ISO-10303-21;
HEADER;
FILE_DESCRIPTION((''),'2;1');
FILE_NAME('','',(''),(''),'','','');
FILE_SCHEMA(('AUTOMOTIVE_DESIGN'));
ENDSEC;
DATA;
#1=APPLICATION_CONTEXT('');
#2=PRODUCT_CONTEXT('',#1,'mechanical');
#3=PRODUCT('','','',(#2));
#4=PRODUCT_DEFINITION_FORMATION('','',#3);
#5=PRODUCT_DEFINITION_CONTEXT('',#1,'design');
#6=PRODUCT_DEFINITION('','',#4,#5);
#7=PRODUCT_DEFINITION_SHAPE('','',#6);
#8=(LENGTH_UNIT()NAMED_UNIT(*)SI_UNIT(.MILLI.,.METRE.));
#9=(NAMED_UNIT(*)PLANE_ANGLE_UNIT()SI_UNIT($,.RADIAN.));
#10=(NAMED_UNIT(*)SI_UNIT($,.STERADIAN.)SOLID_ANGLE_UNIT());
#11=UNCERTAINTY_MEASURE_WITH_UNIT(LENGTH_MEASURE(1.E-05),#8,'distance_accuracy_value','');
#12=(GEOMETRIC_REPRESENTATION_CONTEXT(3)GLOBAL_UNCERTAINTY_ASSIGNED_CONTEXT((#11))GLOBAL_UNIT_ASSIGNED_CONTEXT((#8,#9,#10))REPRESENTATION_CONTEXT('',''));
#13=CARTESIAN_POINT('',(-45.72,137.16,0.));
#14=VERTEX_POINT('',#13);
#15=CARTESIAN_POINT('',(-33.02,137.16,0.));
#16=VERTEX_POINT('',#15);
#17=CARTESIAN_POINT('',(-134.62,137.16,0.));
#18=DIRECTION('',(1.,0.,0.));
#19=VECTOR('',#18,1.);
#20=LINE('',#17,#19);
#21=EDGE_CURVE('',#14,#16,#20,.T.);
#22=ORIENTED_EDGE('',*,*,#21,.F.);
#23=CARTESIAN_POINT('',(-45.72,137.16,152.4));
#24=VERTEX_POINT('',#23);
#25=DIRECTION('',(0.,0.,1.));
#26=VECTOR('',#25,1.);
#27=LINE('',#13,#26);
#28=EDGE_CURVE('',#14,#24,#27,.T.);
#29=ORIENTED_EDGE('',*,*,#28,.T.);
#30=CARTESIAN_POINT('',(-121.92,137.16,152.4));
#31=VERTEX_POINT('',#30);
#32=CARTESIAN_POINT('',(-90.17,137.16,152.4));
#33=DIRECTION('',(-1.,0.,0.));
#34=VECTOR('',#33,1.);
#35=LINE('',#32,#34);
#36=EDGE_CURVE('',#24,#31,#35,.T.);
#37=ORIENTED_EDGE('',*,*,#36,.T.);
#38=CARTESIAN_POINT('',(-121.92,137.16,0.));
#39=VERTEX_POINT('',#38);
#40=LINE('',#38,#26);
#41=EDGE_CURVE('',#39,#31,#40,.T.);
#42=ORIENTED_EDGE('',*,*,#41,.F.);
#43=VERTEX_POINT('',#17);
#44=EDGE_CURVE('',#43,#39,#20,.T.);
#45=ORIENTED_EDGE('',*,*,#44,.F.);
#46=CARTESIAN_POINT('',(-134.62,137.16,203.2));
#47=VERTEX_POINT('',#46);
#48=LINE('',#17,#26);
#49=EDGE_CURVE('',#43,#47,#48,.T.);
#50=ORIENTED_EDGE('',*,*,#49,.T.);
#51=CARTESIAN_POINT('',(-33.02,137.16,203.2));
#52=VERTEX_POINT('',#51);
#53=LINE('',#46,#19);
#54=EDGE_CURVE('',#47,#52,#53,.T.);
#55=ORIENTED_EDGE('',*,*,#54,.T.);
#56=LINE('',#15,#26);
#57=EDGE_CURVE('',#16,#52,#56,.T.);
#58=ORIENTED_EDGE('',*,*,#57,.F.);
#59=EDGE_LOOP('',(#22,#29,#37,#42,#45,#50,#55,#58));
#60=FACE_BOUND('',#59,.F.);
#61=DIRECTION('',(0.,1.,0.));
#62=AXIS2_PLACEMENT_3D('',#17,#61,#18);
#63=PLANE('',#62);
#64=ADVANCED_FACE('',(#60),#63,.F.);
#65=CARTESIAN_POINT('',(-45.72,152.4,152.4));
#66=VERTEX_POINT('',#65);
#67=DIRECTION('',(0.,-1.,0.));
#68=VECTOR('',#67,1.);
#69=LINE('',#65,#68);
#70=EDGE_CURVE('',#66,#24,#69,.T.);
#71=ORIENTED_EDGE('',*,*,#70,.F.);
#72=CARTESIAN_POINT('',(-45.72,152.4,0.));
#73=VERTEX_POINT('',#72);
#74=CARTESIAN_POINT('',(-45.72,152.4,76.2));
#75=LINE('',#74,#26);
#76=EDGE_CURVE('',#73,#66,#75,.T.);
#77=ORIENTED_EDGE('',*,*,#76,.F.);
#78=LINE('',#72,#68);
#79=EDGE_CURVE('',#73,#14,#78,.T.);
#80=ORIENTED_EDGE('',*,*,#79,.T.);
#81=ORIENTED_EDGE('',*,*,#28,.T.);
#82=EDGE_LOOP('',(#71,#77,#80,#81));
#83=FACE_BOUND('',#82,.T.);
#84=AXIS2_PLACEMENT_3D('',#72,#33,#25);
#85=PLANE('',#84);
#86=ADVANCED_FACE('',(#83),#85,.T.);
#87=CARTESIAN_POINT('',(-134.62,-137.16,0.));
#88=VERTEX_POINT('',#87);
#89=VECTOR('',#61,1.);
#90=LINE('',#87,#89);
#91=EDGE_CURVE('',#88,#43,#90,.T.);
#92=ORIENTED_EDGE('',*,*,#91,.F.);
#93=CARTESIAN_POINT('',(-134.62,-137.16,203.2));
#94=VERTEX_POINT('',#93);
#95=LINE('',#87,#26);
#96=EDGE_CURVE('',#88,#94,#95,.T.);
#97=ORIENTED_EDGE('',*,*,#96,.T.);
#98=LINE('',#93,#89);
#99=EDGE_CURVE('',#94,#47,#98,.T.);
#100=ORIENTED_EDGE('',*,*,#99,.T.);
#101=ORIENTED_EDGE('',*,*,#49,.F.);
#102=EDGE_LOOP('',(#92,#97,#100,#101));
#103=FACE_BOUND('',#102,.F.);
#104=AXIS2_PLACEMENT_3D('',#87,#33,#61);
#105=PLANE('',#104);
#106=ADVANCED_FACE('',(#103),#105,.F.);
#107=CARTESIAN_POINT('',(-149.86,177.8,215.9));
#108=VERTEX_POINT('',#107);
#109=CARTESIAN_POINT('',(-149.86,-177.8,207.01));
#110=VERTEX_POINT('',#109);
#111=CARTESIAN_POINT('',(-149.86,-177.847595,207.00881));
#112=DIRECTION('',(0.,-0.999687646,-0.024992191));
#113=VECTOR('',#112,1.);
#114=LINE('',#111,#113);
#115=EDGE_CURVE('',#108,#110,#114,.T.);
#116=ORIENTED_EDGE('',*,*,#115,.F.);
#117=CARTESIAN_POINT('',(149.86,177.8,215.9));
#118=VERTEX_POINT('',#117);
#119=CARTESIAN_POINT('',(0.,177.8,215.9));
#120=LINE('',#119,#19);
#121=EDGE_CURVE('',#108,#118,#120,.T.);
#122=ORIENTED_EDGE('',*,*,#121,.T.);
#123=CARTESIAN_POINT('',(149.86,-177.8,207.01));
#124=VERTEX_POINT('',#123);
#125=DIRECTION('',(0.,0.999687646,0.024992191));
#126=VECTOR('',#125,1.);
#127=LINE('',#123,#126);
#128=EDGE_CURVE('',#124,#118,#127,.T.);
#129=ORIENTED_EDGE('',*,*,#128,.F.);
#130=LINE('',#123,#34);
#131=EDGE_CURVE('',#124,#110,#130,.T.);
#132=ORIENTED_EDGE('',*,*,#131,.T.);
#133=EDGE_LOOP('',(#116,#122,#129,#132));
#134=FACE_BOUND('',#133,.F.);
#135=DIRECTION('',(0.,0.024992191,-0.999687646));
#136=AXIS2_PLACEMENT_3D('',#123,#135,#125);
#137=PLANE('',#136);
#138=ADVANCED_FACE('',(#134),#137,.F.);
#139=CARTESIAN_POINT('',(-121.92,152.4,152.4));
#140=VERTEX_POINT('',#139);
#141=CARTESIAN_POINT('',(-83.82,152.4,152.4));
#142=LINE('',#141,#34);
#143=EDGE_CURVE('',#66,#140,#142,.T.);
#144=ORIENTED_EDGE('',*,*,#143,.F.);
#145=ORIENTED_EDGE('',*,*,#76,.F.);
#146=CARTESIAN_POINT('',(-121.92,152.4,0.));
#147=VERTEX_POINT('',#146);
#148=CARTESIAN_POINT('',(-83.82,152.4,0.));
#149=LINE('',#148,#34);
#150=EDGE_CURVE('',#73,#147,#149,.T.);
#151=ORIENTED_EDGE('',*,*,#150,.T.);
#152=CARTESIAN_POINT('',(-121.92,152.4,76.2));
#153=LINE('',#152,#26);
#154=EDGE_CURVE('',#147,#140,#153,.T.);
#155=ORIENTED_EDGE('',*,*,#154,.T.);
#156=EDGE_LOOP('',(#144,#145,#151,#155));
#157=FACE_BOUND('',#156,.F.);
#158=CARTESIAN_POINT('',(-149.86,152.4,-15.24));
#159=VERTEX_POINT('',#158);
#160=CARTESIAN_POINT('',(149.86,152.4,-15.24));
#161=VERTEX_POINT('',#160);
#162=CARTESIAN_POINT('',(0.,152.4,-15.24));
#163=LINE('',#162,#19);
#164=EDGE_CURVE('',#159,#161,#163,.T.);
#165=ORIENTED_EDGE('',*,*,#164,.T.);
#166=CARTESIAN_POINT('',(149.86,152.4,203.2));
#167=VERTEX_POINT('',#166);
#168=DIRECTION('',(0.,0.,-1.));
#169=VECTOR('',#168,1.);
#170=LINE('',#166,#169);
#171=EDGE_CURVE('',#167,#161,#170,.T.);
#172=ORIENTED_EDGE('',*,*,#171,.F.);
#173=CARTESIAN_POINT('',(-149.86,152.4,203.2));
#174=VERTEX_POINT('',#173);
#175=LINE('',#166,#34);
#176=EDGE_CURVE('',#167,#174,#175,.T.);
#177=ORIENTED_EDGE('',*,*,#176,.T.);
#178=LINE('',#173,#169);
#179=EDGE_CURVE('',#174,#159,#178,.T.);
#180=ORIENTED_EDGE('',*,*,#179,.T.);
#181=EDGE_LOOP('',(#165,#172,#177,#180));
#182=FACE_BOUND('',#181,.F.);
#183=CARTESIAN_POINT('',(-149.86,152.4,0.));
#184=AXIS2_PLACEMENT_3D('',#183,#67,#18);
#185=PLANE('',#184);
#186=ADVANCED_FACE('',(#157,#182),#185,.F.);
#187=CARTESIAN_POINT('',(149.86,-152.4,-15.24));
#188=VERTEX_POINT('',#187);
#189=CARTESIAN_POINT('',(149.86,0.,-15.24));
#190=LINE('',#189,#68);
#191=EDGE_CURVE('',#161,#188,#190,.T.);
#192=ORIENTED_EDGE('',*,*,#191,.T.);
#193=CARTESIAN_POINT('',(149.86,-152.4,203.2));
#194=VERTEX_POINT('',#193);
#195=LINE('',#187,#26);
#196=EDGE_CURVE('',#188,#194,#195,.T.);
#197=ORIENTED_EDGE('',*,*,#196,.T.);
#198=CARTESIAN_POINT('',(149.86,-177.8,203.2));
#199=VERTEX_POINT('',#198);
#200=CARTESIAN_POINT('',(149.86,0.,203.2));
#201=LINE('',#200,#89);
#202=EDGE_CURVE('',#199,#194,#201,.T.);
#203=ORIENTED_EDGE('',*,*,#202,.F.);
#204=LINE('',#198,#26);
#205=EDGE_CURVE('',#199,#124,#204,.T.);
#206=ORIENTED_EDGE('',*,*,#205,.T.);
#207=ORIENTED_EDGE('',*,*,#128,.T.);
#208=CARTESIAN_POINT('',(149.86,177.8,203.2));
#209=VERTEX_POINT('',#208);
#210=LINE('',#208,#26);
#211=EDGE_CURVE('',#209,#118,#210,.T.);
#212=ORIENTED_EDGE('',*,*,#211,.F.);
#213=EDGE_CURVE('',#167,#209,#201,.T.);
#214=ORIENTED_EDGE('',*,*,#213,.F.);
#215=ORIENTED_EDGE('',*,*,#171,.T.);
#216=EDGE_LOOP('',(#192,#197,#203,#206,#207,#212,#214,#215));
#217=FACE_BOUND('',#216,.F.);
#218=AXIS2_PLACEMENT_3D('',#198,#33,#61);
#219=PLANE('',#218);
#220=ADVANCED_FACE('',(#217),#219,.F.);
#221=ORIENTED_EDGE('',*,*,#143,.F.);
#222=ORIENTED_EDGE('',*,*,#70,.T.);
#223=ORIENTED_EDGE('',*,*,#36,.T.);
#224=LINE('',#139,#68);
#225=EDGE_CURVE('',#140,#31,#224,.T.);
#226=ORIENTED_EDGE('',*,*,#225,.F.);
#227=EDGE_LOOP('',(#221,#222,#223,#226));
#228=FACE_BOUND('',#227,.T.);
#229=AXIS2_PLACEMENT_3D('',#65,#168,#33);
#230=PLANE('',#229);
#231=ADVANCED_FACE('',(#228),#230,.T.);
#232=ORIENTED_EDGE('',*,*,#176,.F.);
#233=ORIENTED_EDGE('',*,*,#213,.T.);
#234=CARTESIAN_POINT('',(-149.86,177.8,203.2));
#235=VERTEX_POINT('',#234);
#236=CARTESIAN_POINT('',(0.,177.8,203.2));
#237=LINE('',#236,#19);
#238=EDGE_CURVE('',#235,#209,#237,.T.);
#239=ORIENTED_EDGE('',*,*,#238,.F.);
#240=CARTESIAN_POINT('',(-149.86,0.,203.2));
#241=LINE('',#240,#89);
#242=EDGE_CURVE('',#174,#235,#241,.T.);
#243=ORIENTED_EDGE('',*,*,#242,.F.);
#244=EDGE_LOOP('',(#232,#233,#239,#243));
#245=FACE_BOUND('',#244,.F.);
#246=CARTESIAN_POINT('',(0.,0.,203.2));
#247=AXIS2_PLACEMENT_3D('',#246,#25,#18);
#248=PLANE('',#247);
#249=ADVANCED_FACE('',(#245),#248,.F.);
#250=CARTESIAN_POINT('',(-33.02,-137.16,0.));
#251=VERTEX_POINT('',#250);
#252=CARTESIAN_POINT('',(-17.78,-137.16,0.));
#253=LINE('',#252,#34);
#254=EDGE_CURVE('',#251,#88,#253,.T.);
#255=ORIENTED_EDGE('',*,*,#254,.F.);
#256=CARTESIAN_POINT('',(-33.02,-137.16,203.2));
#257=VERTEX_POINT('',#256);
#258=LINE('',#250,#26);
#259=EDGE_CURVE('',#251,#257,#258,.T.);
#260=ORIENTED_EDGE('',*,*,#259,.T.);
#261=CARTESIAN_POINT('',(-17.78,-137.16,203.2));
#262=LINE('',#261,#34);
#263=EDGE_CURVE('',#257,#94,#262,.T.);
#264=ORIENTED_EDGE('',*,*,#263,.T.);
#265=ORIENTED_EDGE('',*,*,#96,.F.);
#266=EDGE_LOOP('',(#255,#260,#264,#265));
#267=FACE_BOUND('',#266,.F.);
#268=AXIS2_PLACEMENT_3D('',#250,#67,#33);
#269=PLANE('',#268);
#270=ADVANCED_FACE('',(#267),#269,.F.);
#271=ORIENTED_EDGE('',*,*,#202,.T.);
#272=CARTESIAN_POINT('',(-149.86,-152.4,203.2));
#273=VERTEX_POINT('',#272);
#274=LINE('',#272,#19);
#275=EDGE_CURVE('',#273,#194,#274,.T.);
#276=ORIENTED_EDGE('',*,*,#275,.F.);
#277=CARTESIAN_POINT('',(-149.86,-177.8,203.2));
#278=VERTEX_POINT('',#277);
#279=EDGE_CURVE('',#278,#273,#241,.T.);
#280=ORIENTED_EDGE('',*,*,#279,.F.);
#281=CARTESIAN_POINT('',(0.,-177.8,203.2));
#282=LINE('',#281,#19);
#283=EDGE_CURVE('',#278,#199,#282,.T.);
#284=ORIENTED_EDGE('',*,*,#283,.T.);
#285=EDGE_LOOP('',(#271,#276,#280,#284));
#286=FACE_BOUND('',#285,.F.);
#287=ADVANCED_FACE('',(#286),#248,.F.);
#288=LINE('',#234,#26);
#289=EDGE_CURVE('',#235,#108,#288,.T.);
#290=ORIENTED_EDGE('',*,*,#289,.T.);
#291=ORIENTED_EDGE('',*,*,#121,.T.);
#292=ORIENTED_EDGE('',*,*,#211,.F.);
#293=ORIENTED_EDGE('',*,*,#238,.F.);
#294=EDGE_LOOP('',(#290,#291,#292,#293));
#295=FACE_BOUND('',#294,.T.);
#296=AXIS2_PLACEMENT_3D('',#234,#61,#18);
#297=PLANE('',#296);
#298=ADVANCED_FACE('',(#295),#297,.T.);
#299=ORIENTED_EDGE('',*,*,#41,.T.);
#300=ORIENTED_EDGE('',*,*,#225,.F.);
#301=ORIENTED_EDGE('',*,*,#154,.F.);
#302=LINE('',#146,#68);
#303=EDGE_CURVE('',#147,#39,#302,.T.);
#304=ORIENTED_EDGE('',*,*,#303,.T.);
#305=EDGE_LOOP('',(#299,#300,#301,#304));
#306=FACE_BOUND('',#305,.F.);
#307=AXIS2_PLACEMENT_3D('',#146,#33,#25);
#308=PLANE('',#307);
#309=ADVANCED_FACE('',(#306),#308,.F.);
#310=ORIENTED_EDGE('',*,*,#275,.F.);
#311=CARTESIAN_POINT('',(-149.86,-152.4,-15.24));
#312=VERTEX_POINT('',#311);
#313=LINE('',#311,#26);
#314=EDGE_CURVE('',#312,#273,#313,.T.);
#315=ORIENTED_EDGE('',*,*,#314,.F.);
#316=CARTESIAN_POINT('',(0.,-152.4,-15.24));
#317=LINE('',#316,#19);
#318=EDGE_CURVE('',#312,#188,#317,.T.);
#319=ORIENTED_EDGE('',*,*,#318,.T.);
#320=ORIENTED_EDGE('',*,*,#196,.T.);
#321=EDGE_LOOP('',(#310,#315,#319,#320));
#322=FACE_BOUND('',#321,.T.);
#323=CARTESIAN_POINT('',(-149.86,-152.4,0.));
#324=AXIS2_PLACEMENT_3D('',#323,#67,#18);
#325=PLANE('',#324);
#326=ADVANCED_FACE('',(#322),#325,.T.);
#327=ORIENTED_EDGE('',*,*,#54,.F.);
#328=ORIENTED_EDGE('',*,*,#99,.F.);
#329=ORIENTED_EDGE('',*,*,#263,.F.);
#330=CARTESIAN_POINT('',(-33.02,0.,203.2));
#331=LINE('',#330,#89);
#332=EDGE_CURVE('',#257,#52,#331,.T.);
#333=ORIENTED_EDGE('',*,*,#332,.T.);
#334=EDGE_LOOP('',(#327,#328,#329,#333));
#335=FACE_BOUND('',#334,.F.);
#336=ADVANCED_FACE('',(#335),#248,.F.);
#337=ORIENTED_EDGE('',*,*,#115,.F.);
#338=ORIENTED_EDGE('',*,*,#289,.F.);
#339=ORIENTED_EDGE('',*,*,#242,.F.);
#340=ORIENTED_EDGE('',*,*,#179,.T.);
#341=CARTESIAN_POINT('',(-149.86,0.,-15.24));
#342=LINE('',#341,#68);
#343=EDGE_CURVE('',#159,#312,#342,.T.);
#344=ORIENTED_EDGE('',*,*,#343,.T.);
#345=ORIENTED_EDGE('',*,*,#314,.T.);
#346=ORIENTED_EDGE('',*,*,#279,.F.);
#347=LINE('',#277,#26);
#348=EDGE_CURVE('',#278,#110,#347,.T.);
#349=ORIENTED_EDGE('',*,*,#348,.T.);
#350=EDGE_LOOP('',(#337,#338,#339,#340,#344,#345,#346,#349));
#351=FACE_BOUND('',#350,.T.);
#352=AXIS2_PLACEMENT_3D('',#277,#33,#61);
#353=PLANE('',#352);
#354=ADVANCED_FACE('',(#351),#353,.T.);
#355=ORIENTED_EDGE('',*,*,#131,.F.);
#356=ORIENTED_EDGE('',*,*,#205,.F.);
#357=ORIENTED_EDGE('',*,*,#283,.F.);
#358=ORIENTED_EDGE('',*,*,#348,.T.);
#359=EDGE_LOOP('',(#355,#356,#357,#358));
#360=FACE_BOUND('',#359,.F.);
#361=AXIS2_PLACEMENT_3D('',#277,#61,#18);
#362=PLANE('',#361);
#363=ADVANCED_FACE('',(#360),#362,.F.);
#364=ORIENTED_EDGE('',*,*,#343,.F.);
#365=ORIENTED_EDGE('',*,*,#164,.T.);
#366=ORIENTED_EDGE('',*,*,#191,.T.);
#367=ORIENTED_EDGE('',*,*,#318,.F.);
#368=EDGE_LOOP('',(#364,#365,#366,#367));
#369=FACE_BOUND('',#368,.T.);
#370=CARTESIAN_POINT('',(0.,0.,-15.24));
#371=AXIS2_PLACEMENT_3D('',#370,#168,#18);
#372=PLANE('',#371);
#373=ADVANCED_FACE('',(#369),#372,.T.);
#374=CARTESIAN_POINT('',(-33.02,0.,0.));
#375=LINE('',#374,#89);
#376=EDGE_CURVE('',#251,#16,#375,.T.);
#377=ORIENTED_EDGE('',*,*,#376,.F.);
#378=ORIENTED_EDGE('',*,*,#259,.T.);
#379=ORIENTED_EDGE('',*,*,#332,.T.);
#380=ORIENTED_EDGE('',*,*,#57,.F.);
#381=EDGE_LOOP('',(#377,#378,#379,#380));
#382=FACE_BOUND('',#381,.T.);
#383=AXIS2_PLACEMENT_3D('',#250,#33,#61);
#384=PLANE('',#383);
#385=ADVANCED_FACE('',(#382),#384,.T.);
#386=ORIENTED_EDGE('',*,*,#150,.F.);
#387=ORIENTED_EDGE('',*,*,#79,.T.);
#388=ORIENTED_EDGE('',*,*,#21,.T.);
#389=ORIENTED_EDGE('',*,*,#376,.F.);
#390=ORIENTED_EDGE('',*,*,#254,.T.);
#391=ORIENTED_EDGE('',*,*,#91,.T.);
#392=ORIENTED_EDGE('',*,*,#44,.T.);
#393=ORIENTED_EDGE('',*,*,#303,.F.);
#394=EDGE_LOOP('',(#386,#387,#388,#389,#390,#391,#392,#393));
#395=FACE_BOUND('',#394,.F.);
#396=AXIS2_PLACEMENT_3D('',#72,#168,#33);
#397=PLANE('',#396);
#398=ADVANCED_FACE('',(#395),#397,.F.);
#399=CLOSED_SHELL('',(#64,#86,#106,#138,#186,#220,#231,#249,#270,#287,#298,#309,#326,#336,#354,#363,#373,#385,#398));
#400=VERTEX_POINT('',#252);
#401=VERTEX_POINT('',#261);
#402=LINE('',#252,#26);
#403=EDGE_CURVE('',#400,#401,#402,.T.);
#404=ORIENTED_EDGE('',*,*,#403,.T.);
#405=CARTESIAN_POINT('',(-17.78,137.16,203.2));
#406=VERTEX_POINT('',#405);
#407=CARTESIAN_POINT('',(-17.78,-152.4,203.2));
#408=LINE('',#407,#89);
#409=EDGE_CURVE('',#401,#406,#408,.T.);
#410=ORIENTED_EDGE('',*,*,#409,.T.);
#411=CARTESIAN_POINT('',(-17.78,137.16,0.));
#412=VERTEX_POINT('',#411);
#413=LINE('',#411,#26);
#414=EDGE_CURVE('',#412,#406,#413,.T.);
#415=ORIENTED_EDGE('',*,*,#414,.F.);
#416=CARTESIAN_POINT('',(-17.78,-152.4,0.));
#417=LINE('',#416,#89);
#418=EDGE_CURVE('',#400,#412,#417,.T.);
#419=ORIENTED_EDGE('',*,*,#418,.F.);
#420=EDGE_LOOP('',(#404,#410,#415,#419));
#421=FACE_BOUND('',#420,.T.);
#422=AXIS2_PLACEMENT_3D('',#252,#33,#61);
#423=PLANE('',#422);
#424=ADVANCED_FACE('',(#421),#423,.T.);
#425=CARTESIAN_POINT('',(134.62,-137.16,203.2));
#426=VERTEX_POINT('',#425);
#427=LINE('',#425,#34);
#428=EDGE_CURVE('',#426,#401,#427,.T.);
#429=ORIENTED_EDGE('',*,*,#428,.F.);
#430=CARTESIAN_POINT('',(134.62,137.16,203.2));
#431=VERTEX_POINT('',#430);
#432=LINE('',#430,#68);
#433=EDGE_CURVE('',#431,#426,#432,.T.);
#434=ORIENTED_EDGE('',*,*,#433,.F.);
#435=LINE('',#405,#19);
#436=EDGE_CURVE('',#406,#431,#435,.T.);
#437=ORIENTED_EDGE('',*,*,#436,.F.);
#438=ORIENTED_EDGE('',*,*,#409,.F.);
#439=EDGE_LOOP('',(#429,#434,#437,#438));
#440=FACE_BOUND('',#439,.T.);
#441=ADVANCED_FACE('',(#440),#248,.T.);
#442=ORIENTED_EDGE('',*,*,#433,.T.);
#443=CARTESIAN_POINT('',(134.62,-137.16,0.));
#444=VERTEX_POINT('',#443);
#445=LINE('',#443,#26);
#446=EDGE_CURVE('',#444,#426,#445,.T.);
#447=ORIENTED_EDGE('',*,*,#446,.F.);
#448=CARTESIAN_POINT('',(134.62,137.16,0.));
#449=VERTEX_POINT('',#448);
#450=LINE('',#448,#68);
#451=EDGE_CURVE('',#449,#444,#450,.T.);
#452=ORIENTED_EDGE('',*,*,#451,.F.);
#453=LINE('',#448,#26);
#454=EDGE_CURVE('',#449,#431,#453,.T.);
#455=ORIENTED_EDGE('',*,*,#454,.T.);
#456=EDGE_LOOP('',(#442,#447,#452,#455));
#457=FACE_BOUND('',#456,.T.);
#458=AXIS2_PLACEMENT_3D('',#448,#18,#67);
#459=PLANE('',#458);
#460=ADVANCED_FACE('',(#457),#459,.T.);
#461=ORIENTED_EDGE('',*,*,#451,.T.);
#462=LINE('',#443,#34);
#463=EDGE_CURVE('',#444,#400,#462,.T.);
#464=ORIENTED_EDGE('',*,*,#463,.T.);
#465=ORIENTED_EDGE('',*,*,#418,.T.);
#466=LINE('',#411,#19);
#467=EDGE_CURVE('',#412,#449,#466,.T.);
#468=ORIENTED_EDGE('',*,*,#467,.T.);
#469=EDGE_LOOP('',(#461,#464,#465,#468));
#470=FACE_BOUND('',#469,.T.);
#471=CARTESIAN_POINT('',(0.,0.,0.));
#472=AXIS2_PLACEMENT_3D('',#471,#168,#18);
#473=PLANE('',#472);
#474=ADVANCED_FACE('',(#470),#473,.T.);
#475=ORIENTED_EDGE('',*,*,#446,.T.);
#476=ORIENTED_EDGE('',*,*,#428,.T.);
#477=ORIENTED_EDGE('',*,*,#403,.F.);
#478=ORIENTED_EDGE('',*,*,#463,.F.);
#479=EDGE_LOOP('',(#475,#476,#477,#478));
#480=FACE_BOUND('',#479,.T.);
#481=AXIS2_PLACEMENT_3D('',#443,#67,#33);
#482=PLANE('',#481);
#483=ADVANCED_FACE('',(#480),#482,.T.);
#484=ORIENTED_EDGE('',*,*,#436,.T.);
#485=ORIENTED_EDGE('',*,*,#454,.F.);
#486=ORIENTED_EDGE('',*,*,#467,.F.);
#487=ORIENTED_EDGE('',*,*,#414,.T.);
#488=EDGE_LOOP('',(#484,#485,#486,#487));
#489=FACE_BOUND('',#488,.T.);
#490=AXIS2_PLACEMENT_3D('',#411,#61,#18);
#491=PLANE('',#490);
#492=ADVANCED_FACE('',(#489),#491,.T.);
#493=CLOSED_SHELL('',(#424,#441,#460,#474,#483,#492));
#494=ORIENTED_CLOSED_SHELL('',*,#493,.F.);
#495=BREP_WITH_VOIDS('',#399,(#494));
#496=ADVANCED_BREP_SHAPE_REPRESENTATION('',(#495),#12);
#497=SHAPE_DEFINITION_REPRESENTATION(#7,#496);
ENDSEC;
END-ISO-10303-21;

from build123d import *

# Parameters (mm, degrees)
F0_W     = 15.24
F0_H     = 15.24
F0_H_2   = 274.32
F1_DEPTH = 203.2
F2_W     = 299.72
F2_H     = 304.8
F3_DEPTH = 15.24
F4_W     = 299.72
F4_H     = 355.6
F5_DEPTH = 12.7
F6_W     = 76.2
F6_H     = 152.4
F7_DEPTH = 25.4
F9_DEPTH = 373.126


with BuildPart() as f1:
    # F0 (on Top) → F1 (new body)
    with BuildSketch(Plane.XY):
        Polygon((-33.02, 137.16), (-33.02, 152.4), (-149.86, 152.4), (-149.86, -152.4), (-33.02, -152.4), (-33.02, -137.16), (-134.62, -137.16), (-134.62, 137.16), align=None)
        with Locations((-25.4, 144.78)):
            Rectangle(F0_W, F0_H)
        with Locations((-25.4, -144.78)):
            Rectangle(F0_W, F0_H)
        with Locations((-25.4, 0)):
            Rectangle(F0_W, F0_H_2)
        Polygon((149.86, -152.4), (149.86, 152.4), (-17.78, 152.4), (-17.78, 137.16), (134.62, 137.16), (134.62, -137.16), (-17.78, -137.16), (-17.78, -152.4), align=None)
    extrude(amount=F1_DEPTH)

    # F2 (on face) → F3 (join)
    with BuildSketch(Plane(origin=(0, 0, 0), x_dir=(1, 0, 0), z_dir=(0, 0, -1))):
        Rectangle(F2_W, F2_H)
    extrude(amount=F3_DEPTH)

    # F4 (on face) → F5 (join)
    with BuildSketch(Plane.XY.offset(203.2)):
        Rectangle(F4_W, F4_H)
    extrude(amount=F5_DEPTH)

    # F6 (on face) → F7 (cut)
    with BuildSketch(Plane(origin=(0, 152.4, 0), x_dir=(-1, 0, 0), z_dir=(0, 1, 0))):
        with Locations((83.82, 76.2)):
            Rectangle(F6_W, F6_H)
    extrude(amount=-F7_DEPTH, mode=Mode.SUBTRACT)

    # F8 (on face) → F9 (cut)
    with BuildSketch(Plane.YZ.offset(149.86)):
        Polygon((-177.8, 207.01), (177.8, 215.9), (-177.8, 215.9), align=None)
    extrude(amount=-F9_DEPTH, mode=Mode.SUBTRACT)


solid = f1.part
